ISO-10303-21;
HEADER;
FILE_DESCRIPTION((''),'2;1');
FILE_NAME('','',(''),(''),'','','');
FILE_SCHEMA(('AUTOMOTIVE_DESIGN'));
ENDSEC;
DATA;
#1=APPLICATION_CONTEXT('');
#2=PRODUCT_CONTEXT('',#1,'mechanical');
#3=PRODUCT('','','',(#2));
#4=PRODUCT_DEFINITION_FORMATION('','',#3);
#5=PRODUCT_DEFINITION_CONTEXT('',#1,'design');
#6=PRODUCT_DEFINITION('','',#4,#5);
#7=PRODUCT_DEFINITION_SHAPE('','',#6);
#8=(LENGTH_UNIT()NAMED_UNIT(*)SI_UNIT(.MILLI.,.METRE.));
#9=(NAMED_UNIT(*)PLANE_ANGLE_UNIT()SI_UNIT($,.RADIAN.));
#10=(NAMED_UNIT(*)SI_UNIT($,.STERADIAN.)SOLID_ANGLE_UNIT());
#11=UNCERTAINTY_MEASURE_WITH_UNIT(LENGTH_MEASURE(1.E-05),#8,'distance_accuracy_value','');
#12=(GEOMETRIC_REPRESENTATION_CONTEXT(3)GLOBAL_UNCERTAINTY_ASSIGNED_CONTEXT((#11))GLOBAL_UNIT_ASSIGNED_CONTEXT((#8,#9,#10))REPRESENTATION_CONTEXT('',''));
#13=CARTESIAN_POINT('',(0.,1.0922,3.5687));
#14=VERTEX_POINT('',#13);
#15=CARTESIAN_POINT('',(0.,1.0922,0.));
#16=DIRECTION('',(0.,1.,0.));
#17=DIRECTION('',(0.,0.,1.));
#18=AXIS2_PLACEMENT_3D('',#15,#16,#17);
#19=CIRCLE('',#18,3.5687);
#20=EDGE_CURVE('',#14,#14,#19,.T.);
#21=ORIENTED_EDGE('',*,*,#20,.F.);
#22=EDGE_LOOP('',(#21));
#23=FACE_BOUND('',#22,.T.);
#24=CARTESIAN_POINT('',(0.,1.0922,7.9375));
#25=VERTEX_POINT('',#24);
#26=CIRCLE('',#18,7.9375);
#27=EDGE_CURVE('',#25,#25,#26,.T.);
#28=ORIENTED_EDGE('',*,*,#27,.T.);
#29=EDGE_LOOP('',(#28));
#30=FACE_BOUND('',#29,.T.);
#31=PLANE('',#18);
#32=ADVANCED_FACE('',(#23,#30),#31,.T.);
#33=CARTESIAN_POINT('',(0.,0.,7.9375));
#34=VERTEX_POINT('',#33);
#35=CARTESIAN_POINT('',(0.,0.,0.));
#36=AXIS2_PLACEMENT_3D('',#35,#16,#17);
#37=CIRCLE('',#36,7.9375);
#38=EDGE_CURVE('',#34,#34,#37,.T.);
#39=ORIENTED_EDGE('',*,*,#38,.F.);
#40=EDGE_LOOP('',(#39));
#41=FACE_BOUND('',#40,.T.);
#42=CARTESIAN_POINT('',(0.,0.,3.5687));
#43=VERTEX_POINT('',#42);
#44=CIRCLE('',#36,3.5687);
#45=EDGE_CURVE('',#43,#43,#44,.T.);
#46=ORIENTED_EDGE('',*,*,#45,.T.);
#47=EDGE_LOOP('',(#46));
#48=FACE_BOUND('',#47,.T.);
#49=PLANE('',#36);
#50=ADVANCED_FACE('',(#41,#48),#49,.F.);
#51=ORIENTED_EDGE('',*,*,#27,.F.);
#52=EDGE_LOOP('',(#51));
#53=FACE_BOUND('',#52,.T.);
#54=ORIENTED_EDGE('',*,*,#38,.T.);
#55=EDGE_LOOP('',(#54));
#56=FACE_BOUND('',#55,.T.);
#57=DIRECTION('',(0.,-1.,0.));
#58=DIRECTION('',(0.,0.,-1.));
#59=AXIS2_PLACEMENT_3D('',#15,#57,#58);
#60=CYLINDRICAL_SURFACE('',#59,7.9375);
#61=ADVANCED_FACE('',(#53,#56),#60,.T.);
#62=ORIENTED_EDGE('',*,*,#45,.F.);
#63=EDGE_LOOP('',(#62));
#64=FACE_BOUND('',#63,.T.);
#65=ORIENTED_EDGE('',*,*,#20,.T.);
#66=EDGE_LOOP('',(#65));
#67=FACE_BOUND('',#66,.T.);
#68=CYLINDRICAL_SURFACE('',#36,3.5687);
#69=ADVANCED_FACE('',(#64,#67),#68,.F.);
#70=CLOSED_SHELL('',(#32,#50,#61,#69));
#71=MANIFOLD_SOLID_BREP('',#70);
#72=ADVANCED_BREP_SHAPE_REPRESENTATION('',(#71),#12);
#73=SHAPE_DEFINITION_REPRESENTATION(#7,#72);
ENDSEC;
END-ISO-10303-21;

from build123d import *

# Parameters (mm, degrees)
SKETCH1_R           = 7.9375
BOSS_EXTRUDE1_DEPTH = 1.0922
SKETCH5_R           = 3.5687
CUT_EXTRUDE1_DEPTH  = 2.0922


with BuildPart() as part:
    # Sketch1 → Boss-Extrude1 (new body)
    with BuildSketch(Plane(origin=(0, 0, 0), x_dir=(1, 0, 0), z_dir=(0, 1, 0))):
        Circle(SKETCH1_R)
    extrude(amount=BOSS_EXTRUDE1_DEPTH)

    # Sketch5 → Cut-Extrude1 (cut, through all)
    with BuildSketch(Plane(origin=(0, 1.0922, 0), x_dir=(-1, 0, 0), z_dir=(0, 1, 0))):
        Circle(SKETCH5_R)
    extrude(amount=-CUT_EXTRUDE1_DEPTH, mode=Mode.SUBTRACT)


solid = part.part
